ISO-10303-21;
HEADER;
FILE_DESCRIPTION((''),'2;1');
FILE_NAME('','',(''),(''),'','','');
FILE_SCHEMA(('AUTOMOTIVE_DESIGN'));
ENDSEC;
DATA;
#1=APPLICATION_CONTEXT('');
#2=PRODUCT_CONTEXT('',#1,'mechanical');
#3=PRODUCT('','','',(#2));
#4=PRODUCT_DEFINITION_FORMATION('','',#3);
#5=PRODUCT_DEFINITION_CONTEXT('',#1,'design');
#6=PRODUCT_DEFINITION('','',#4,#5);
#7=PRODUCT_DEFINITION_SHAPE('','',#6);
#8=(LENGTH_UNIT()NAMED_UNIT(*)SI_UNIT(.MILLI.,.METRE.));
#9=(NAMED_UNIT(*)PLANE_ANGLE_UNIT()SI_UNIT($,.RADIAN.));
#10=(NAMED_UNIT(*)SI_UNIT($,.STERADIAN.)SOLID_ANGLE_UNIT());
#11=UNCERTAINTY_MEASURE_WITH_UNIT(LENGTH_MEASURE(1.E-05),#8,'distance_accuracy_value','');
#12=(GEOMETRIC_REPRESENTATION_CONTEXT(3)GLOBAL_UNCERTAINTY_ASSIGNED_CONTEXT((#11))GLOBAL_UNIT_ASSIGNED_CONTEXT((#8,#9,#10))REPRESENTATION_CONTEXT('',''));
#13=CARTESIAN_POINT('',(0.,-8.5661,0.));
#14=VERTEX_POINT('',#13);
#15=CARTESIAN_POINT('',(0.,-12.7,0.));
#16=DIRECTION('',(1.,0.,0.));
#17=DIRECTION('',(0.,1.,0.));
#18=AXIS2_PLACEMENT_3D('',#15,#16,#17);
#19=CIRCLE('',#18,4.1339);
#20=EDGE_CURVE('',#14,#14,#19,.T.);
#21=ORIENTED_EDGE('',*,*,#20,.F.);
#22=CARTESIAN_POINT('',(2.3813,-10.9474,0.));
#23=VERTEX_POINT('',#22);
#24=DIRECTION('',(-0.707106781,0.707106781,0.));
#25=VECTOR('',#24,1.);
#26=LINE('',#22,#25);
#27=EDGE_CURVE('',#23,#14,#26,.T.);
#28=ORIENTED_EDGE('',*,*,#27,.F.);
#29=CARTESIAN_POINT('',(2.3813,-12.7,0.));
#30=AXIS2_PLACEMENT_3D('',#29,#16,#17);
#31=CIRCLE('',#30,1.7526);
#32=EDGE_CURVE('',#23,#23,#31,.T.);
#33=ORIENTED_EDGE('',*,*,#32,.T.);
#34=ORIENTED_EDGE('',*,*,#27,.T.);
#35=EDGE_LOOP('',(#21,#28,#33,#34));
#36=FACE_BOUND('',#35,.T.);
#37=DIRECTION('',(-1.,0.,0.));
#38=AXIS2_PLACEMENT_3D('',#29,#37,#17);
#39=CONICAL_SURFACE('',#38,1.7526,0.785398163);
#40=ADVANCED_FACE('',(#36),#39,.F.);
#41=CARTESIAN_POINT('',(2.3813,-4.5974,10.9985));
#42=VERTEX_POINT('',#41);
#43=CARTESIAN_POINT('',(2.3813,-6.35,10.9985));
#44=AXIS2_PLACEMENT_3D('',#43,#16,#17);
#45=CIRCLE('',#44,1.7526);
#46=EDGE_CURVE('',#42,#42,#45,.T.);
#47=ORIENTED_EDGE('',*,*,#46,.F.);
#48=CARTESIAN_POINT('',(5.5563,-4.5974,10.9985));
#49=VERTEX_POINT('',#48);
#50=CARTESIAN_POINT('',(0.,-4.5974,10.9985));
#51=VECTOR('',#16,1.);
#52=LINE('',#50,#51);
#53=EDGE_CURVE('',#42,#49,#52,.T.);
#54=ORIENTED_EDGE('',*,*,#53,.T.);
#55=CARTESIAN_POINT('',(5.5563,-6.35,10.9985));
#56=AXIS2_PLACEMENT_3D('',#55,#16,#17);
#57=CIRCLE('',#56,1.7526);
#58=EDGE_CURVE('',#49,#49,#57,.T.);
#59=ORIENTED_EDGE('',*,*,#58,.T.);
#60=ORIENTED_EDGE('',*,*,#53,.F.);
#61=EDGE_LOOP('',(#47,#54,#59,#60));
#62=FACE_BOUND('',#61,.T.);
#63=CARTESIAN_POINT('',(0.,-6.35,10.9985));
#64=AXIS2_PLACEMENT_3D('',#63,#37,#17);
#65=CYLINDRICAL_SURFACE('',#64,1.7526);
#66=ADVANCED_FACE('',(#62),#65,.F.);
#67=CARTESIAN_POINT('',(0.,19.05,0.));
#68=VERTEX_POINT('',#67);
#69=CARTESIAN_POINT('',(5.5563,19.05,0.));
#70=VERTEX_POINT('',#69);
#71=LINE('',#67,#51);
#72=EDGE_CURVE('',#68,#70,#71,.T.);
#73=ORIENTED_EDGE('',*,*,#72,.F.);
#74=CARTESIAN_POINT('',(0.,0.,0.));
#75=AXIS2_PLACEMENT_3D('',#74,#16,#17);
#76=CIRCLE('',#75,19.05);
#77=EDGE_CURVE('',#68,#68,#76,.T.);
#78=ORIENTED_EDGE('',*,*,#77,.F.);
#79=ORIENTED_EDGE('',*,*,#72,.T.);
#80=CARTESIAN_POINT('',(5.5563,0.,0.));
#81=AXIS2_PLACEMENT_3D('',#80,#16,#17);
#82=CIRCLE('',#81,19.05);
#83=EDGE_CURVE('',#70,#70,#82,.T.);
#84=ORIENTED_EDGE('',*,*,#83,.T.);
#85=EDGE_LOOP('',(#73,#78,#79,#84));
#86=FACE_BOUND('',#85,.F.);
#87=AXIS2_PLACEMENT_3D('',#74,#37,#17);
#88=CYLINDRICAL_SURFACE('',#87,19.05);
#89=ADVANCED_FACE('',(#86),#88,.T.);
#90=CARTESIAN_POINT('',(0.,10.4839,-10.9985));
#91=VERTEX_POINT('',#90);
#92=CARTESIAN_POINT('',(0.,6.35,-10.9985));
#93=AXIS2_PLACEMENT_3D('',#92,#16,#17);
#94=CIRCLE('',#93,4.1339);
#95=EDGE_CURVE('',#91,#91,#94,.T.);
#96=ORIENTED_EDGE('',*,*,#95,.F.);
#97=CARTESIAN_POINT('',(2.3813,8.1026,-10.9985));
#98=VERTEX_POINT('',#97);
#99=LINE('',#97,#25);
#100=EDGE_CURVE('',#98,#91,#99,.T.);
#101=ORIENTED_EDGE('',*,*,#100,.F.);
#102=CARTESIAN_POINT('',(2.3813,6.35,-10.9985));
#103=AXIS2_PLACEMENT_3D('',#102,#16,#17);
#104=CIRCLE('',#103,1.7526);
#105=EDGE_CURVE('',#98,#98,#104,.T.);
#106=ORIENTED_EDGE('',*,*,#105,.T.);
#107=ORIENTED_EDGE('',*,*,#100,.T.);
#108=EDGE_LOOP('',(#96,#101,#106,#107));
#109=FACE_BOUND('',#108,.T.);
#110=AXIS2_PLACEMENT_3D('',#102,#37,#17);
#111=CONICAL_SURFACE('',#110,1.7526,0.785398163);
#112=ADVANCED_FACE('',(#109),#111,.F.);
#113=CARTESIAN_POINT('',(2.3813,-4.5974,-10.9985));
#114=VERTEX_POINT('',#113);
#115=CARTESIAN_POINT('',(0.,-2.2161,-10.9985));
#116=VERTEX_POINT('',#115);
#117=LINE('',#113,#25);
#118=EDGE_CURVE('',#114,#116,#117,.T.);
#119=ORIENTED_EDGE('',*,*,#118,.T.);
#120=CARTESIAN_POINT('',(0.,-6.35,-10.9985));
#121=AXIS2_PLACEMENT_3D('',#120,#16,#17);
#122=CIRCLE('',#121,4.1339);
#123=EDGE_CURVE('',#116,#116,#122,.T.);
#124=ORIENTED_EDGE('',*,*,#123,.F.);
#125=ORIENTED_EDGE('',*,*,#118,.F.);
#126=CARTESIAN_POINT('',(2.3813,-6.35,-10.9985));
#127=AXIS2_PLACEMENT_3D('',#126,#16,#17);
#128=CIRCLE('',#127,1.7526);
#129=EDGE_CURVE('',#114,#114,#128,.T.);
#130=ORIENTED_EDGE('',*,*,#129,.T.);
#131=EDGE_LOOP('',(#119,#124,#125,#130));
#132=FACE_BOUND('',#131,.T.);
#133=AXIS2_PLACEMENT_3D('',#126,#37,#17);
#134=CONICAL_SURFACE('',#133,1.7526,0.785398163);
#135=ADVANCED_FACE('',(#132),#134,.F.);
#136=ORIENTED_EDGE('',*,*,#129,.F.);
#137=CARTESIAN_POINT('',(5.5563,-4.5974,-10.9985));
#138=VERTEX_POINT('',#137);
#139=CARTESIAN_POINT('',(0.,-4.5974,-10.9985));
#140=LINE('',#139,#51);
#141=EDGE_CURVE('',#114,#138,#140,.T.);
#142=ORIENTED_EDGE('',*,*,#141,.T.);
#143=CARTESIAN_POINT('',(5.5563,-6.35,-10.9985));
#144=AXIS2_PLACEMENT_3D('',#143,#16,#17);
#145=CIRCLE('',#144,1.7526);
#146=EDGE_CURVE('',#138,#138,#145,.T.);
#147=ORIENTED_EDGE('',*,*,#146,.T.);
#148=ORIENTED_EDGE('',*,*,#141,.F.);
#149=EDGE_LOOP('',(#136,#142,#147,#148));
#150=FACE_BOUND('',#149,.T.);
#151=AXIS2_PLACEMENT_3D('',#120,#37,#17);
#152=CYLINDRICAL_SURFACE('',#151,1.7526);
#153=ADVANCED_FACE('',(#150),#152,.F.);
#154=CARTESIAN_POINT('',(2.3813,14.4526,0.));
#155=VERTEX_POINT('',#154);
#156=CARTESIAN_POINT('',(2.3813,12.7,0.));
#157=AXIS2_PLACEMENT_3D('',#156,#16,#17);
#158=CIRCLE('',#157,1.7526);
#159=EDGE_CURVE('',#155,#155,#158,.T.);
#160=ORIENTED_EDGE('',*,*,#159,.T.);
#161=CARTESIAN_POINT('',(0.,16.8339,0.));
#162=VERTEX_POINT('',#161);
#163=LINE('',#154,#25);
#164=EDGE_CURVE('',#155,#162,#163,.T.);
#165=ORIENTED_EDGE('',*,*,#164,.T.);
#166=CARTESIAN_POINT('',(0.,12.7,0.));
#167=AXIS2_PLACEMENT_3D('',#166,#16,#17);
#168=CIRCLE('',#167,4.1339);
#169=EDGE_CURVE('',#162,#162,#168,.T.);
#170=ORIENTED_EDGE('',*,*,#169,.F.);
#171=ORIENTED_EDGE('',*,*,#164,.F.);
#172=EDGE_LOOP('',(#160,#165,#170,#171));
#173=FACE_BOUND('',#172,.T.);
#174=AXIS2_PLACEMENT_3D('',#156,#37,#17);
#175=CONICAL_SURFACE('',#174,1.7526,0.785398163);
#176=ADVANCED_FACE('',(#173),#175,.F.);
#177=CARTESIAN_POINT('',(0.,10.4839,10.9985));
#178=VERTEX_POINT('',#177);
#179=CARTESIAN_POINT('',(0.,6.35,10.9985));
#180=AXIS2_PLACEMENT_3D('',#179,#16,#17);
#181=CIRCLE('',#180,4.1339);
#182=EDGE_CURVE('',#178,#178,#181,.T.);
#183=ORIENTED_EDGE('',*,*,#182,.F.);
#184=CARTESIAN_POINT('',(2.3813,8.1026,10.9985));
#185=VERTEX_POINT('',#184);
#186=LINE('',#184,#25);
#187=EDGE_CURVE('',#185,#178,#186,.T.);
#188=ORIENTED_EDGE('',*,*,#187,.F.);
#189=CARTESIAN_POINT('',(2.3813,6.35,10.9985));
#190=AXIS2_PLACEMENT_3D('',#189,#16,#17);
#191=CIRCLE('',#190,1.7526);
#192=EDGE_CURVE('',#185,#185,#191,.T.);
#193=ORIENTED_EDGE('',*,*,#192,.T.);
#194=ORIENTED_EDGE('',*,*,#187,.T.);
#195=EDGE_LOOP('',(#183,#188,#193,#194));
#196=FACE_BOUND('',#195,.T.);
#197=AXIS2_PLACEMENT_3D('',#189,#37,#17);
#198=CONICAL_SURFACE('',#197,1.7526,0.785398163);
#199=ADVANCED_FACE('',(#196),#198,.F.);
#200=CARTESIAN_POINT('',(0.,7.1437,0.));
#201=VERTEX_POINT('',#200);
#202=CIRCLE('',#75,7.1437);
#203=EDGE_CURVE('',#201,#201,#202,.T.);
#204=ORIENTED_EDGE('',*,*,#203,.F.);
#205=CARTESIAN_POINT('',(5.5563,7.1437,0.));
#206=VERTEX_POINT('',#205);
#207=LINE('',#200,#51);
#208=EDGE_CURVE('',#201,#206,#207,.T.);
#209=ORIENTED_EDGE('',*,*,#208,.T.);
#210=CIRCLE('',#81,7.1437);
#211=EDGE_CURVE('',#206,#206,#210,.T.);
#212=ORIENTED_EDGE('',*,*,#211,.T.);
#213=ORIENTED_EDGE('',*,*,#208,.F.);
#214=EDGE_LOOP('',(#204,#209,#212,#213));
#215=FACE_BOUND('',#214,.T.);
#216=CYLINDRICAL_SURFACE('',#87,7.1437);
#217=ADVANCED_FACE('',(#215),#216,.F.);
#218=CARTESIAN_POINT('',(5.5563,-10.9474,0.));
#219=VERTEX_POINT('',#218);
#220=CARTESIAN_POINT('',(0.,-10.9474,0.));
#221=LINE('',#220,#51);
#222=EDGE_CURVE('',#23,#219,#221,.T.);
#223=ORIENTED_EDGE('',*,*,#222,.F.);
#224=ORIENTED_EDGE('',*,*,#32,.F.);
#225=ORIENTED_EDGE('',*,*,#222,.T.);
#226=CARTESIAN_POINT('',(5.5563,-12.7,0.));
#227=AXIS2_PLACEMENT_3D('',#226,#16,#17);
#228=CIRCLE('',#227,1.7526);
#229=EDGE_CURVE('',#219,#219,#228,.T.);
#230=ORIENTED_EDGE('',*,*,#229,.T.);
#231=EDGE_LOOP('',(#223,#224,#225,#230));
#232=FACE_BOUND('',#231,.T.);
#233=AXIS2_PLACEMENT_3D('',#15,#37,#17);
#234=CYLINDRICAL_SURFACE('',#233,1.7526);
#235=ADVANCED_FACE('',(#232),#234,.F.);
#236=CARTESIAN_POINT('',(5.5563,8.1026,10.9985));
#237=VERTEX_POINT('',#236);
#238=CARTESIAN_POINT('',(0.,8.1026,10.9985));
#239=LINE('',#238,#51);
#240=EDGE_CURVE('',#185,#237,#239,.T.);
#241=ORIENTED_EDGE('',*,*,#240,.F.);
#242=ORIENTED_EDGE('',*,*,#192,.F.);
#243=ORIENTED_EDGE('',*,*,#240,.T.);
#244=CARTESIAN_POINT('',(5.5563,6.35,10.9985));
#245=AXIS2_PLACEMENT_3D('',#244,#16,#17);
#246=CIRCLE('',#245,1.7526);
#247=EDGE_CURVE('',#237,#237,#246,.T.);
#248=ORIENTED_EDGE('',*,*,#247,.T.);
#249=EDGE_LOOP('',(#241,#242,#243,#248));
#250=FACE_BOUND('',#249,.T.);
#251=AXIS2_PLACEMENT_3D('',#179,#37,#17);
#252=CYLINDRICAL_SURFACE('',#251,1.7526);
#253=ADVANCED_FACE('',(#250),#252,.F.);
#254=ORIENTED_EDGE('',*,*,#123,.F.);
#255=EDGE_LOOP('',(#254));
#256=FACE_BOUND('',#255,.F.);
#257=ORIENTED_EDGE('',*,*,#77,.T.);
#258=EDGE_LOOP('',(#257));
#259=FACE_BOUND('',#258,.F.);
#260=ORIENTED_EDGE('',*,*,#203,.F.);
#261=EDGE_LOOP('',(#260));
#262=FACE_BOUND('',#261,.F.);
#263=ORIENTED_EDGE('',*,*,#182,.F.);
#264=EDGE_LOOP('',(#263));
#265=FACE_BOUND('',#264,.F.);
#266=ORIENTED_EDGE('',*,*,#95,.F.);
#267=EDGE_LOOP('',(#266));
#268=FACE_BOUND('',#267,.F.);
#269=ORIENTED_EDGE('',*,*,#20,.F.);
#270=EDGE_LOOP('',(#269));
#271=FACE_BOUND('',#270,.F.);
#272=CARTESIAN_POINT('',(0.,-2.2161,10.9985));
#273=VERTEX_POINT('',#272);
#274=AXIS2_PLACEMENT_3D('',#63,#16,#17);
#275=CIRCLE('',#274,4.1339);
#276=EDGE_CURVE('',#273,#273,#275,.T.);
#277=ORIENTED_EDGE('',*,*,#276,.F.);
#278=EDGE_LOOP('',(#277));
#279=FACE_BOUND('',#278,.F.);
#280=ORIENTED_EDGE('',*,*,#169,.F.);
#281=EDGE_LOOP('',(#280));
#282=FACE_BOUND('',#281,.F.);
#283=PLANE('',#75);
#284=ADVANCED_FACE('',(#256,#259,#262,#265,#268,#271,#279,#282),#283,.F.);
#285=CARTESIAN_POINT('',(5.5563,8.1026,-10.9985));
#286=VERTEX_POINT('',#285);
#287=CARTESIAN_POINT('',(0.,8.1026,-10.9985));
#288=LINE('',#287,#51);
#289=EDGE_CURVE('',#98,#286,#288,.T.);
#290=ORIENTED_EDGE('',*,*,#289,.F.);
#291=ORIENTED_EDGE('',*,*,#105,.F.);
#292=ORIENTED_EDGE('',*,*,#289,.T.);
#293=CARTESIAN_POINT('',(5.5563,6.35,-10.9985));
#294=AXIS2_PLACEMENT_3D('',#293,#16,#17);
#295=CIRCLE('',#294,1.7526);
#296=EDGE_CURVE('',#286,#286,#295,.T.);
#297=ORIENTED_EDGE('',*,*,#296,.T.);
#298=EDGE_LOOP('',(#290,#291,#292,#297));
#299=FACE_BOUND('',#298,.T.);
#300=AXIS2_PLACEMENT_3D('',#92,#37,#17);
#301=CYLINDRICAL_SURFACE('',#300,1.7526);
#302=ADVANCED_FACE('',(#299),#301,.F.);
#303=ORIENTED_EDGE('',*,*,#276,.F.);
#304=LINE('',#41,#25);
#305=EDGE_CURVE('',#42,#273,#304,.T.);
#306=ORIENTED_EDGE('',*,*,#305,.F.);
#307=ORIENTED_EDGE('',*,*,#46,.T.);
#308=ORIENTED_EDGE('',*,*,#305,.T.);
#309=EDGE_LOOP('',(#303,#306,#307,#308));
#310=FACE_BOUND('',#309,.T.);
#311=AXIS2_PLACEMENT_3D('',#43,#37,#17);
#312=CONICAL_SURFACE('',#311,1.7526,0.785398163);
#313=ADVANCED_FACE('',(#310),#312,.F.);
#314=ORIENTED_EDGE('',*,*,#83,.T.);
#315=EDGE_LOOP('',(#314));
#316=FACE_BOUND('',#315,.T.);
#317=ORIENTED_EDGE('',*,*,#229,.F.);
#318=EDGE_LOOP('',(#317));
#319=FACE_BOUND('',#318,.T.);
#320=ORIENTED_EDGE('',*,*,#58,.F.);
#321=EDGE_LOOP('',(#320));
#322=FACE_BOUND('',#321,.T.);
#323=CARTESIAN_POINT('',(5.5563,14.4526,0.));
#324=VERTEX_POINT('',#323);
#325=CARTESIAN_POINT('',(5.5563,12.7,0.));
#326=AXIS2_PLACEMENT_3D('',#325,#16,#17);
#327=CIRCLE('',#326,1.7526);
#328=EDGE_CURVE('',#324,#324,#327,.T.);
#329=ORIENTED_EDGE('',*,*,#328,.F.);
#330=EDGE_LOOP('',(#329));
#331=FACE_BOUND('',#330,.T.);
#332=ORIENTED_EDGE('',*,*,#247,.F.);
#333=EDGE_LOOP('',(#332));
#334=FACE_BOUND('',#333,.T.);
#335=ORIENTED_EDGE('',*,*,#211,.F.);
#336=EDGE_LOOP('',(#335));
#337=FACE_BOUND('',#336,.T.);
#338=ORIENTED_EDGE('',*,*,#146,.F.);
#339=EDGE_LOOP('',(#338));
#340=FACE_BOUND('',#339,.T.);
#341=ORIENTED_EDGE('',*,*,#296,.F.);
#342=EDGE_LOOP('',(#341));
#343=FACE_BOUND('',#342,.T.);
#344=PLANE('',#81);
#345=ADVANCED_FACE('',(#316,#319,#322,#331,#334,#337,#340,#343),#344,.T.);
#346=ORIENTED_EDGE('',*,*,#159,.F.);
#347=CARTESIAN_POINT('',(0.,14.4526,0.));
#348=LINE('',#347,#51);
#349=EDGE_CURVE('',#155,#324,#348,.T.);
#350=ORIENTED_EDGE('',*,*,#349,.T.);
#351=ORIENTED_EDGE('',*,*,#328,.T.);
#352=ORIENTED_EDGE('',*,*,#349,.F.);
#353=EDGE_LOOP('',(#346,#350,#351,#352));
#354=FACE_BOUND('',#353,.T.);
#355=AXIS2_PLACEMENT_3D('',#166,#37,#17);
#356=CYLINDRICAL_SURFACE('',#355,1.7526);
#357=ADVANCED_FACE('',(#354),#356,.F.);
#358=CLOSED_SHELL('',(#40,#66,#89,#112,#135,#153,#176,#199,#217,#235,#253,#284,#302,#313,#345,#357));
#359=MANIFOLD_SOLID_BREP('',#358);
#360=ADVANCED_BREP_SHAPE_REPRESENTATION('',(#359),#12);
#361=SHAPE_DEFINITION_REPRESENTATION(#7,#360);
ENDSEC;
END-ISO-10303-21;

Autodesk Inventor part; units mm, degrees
ref_plane "YZ Plane" through (0, 0, 0) normal (1, 0, 0) x (0, 1, 0)
ref_plane "XZ Plane" through (0, 0, 0) normal (0, 1, 0) x (-1, 0, 0)
ref_plane "XY Plane" through (0, 0, 0) normal (0, 0, 1) x (1, 0, 0)
sketch "Sketch1" plane through (0, 0, 0) normal (1, 0, 0) x (0, 1, 0)
  circle A0 centre (0, 0) radius 7.1437
  circle A1 centre (0, 0) radius 19.05
  circle A2 centre (12.7, 0) radius 1.7526
  circle A3 centre (6.35, 10.9985) radius 1.7526
  circle A4 centre (-6.35, 10.9985) radius 1.7526
  circle A5 centre (-12.7, 0) radius 1.7526
  circle A6 centre (-6.35, -10.9985) radius 1.7526
  circle A7 centre (6.35, -10.9985) radius 1.7526
  dimension "d0" = 14.2875
  dimension "d1" = 38.1
  dimension "d4" = 3.5052
  dimension "d5" = 12.7
  dimension "d8" = 360
extrude "Extrusion1" add sketch "Sketch1" along normal blind 5.5563
chamfer "Chamfer1" distance 2.3813 angle 45 6 edges at (0, 10.9474, 0) (0, 4.5974, 10.9985) (0, -14.4526, 0) (0, -8.1026, 10.9985) (0, 4.5974, -10.9985) (0, -8.1026, -10.9985)
properties part number "Spacer 3-8x .125" material "UHMW, Black"
